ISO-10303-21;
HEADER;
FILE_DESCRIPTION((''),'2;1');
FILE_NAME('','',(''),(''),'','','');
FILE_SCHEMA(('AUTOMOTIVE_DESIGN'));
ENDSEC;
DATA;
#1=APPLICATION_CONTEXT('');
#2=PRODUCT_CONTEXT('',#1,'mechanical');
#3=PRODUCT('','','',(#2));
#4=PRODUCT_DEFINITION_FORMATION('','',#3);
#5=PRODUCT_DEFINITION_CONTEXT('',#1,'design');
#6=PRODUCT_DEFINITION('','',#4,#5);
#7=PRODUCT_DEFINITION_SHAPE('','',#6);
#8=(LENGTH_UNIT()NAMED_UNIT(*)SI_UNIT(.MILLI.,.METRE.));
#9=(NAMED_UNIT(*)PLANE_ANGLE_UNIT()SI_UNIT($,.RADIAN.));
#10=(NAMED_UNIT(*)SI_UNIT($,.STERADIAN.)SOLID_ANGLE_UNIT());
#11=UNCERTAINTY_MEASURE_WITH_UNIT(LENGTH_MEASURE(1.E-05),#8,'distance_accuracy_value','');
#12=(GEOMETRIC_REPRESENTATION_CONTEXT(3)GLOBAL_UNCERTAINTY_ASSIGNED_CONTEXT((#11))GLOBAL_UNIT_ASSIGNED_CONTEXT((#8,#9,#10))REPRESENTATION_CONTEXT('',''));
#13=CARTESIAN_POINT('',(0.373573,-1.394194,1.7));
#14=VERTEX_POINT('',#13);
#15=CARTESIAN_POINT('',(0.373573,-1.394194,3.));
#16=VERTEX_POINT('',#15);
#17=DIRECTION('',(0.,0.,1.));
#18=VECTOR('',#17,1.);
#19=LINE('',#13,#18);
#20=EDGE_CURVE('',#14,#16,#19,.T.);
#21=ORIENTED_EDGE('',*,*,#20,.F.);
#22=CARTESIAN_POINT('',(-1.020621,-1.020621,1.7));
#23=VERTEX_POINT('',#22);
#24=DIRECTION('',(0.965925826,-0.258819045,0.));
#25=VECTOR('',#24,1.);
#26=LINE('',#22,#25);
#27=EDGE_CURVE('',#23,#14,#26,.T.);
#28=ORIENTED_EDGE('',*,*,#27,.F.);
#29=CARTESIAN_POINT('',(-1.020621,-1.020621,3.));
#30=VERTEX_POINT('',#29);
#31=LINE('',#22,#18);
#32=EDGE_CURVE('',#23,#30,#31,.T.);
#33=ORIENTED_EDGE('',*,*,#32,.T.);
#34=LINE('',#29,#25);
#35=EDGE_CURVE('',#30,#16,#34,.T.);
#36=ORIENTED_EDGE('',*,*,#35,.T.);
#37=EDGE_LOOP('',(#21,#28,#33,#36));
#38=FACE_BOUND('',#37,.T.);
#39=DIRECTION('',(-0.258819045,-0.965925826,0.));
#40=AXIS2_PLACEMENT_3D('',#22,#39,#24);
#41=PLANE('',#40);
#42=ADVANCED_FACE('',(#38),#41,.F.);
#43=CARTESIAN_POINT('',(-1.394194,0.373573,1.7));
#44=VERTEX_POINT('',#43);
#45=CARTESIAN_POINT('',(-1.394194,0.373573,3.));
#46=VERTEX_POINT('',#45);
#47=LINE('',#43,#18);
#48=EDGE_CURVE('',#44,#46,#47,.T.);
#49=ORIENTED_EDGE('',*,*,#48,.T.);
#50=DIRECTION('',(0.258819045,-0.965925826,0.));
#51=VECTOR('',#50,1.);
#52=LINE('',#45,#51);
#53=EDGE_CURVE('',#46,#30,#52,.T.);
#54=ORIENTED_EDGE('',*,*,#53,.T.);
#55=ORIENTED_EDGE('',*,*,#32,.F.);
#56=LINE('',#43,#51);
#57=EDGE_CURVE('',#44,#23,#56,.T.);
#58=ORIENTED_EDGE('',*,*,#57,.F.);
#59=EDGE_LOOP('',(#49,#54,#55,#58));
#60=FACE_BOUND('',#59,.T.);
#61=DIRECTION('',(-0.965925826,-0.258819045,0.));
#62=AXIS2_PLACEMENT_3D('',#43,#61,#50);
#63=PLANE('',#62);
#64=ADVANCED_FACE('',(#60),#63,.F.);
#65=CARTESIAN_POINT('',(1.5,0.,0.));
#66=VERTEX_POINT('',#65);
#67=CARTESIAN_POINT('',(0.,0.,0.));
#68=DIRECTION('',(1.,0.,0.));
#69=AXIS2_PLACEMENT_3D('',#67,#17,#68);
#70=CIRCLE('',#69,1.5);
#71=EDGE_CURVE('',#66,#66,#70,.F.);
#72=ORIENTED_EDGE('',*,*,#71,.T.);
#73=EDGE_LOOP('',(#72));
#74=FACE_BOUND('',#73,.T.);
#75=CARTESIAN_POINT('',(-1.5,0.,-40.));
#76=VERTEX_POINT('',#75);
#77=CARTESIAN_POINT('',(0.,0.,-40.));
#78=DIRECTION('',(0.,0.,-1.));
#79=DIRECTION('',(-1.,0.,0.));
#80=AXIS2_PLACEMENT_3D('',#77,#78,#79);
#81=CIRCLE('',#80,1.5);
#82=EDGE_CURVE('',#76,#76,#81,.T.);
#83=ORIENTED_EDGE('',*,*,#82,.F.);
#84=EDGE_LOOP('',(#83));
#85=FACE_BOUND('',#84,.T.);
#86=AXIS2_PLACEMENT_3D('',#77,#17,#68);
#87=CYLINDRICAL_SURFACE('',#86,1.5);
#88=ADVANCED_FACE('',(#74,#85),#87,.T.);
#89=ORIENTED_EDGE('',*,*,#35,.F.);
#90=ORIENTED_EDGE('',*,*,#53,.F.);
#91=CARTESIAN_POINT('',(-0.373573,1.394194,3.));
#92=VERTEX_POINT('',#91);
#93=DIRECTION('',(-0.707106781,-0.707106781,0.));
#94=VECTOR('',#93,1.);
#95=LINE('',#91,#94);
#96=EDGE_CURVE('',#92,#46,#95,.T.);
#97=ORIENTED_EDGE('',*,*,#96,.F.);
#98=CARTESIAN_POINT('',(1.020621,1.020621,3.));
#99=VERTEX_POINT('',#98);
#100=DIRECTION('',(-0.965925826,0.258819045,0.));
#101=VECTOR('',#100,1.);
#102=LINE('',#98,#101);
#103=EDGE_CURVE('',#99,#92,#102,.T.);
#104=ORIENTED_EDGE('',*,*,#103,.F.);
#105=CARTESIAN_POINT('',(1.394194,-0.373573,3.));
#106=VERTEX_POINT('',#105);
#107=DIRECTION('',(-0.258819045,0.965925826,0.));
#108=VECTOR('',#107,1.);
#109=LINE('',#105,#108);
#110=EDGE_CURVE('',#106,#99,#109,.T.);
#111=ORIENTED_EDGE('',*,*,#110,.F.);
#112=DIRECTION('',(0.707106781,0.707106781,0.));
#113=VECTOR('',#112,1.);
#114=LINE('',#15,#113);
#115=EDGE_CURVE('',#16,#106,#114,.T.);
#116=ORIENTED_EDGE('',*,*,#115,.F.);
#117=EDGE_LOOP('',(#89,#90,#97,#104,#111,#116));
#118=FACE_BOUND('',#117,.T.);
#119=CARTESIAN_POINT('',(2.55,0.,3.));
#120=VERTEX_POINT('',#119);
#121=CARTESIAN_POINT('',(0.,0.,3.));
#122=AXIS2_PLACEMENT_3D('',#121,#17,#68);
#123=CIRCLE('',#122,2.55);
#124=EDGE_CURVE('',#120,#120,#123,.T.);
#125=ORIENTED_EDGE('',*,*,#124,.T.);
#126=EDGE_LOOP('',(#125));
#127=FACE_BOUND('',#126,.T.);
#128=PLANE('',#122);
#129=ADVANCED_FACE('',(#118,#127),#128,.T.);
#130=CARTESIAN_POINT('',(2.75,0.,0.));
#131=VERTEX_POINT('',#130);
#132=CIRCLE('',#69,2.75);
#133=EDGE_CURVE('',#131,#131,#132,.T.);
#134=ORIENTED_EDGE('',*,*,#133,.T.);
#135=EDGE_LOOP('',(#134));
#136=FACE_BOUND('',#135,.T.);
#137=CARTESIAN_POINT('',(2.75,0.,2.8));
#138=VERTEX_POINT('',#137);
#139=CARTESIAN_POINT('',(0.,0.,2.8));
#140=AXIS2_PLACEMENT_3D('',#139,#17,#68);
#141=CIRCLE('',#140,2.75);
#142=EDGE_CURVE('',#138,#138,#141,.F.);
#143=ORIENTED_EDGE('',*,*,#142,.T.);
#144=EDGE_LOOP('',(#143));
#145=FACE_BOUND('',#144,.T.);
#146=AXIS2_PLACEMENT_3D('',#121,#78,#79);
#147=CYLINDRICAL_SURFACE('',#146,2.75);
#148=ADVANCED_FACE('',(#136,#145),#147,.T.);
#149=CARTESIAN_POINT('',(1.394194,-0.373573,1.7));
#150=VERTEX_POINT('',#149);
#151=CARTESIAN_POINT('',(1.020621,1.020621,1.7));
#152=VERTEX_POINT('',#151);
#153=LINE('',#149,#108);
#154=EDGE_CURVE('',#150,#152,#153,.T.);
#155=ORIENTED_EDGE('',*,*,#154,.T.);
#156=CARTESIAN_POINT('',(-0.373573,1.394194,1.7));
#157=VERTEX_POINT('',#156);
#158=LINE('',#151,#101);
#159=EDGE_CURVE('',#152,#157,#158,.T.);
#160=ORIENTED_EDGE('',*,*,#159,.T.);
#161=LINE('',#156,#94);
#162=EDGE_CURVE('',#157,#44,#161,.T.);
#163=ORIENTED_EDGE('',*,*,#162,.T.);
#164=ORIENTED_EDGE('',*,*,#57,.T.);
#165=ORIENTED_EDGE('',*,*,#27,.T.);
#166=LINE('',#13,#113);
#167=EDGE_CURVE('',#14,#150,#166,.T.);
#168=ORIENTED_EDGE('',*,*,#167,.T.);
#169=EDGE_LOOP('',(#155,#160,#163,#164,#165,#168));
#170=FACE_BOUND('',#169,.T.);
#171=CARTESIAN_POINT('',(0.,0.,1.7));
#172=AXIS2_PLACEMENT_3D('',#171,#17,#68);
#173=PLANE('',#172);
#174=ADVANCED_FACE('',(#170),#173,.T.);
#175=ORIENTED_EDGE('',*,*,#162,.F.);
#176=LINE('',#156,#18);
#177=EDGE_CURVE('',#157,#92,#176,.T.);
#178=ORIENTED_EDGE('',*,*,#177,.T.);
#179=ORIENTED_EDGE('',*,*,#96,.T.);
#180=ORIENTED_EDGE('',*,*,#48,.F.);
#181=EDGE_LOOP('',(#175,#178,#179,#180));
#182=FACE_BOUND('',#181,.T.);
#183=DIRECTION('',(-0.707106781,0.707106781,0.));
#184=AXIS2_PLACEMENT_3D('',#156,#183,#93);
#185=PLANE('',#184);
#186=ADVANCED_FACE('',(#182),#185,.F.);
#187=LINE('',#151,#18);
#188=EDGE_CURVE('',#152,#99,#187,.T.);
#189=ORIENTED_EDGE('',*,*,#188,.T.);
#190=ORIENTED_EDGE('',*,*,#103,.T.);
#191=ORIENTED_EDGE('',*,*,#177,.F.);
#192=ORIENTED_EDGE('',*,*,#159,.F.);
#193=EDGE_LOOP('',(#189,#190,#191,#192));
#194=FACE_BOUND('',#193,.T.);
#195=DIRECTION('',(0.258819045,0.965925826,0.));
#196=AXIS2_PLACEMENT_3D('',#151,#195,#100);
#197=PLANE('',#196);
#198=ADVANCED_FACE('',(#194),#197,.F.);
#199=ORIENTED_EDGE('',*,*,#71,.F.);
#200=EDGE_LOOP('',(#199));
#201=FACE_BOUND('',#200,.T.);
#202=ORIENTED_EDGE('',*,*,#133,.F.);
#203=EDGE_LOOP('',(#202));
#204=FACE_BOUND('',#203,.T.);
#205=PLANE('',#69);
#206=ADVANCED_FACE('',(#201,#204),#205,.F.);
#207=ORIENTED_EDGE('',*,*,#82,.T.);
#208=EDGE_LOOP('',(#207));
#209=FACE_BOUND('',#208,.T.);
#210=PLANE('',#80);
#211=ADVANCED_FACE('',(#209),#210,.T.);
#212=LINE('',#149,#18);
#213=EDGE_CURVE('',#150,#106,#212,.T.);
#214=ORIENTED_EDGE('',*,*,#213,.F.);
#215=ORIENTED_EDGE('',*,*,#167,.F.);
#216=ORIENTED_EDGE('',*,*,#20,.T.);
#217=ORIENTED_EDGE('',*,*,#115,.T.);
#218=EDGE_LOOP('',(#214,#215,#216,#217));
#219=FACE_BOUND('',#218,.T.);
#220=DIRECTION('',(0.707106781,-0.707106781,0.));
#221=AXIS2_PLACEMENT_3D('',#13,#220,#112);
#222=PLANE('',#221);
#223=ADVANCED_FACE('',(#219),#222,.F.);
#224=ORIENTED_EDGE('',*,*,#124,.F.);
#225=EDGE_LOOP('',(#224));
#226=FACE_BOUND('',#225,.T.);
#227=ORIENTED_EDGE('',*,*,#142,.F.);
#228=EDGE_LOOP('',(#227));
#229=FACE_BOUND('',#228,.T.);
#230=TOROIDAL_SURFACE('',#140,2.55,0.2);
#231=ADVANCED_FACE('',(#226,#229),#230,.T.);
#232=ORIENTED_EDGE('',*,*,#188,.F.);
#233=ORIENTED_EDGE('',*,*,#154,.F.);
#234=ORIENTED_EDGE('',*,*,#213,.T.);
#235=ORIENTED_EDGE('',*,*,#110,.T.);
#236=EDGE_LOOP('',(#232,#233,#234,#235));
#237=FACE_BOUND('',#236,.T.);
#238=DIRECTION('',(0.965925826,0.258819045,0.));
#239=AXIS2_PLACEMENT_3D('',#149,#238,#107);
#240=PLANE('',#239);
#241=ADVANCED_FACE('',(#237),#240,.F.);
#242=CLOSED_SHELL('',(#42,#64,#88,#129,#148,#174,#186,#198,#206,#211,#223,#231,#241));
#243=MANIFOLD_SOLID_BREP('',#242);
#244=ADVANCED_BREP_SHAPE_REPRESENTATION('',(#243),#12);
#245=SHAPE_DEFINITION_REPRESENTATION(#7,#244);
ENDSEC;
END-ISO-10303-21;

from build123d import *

# Parameters (mm, degrees)
SKETCH_1_R          = 2.75
EXTRUDE_1_DEPTH     = 3
CUT_EXTRUDE_1_DEPTH = 1.3
SKETCH_3_R          = 1.5
EXTRUDE_2_DEPTH     = 40
FILLET_1_R          = 0.2


with BuildPart() as part:
    # 草图1 → 凸台-拉伸1 (new body)
    with BuildSketch(Plane.XY):
        Circle(SKETCH_1_R)
    extrude(amount=EXTRUDE_1_DEPTH)

    # 草图2 → 切除-拉伸1 (cut)
    with BuildSketch(Plane.XY.offset(3)):
        Polygon((-1.020620726, -1.020620726), (0.373573113, -1.39419384), (1.39419384, -0.373573113), (1.020620726, 1.020620726), (-0.373573113, 1.39419384), (-1.39419384, 0.373573113), align=None)
    extrude(amount=-CUT_EXTRUDE_1_DEPTH, mode=Mode.SUBTRACT)

    # 草图3 → 凸台-拉伸2 (add)
    with BuildSketch(Plane(origin=(0, 0, 0), x_dir=(-1, 0, 0), z_dir=(0, 0, -1))):
        with Locations(Location((0, 0, 0), (0, 0, 180))):
            Circle(SKETCH_3_R)
    extrude(amount=EXTRUDE_2_DEPTH)

    # 圆角1
    fillet_1_edges = [part.edges().sort_by_distance(p)[0] for p in [
        (-2.75, 0, 3),
    ]]
    fillet(fillet_1_edges, radius=FILLET_1_R)


solid = part.part
